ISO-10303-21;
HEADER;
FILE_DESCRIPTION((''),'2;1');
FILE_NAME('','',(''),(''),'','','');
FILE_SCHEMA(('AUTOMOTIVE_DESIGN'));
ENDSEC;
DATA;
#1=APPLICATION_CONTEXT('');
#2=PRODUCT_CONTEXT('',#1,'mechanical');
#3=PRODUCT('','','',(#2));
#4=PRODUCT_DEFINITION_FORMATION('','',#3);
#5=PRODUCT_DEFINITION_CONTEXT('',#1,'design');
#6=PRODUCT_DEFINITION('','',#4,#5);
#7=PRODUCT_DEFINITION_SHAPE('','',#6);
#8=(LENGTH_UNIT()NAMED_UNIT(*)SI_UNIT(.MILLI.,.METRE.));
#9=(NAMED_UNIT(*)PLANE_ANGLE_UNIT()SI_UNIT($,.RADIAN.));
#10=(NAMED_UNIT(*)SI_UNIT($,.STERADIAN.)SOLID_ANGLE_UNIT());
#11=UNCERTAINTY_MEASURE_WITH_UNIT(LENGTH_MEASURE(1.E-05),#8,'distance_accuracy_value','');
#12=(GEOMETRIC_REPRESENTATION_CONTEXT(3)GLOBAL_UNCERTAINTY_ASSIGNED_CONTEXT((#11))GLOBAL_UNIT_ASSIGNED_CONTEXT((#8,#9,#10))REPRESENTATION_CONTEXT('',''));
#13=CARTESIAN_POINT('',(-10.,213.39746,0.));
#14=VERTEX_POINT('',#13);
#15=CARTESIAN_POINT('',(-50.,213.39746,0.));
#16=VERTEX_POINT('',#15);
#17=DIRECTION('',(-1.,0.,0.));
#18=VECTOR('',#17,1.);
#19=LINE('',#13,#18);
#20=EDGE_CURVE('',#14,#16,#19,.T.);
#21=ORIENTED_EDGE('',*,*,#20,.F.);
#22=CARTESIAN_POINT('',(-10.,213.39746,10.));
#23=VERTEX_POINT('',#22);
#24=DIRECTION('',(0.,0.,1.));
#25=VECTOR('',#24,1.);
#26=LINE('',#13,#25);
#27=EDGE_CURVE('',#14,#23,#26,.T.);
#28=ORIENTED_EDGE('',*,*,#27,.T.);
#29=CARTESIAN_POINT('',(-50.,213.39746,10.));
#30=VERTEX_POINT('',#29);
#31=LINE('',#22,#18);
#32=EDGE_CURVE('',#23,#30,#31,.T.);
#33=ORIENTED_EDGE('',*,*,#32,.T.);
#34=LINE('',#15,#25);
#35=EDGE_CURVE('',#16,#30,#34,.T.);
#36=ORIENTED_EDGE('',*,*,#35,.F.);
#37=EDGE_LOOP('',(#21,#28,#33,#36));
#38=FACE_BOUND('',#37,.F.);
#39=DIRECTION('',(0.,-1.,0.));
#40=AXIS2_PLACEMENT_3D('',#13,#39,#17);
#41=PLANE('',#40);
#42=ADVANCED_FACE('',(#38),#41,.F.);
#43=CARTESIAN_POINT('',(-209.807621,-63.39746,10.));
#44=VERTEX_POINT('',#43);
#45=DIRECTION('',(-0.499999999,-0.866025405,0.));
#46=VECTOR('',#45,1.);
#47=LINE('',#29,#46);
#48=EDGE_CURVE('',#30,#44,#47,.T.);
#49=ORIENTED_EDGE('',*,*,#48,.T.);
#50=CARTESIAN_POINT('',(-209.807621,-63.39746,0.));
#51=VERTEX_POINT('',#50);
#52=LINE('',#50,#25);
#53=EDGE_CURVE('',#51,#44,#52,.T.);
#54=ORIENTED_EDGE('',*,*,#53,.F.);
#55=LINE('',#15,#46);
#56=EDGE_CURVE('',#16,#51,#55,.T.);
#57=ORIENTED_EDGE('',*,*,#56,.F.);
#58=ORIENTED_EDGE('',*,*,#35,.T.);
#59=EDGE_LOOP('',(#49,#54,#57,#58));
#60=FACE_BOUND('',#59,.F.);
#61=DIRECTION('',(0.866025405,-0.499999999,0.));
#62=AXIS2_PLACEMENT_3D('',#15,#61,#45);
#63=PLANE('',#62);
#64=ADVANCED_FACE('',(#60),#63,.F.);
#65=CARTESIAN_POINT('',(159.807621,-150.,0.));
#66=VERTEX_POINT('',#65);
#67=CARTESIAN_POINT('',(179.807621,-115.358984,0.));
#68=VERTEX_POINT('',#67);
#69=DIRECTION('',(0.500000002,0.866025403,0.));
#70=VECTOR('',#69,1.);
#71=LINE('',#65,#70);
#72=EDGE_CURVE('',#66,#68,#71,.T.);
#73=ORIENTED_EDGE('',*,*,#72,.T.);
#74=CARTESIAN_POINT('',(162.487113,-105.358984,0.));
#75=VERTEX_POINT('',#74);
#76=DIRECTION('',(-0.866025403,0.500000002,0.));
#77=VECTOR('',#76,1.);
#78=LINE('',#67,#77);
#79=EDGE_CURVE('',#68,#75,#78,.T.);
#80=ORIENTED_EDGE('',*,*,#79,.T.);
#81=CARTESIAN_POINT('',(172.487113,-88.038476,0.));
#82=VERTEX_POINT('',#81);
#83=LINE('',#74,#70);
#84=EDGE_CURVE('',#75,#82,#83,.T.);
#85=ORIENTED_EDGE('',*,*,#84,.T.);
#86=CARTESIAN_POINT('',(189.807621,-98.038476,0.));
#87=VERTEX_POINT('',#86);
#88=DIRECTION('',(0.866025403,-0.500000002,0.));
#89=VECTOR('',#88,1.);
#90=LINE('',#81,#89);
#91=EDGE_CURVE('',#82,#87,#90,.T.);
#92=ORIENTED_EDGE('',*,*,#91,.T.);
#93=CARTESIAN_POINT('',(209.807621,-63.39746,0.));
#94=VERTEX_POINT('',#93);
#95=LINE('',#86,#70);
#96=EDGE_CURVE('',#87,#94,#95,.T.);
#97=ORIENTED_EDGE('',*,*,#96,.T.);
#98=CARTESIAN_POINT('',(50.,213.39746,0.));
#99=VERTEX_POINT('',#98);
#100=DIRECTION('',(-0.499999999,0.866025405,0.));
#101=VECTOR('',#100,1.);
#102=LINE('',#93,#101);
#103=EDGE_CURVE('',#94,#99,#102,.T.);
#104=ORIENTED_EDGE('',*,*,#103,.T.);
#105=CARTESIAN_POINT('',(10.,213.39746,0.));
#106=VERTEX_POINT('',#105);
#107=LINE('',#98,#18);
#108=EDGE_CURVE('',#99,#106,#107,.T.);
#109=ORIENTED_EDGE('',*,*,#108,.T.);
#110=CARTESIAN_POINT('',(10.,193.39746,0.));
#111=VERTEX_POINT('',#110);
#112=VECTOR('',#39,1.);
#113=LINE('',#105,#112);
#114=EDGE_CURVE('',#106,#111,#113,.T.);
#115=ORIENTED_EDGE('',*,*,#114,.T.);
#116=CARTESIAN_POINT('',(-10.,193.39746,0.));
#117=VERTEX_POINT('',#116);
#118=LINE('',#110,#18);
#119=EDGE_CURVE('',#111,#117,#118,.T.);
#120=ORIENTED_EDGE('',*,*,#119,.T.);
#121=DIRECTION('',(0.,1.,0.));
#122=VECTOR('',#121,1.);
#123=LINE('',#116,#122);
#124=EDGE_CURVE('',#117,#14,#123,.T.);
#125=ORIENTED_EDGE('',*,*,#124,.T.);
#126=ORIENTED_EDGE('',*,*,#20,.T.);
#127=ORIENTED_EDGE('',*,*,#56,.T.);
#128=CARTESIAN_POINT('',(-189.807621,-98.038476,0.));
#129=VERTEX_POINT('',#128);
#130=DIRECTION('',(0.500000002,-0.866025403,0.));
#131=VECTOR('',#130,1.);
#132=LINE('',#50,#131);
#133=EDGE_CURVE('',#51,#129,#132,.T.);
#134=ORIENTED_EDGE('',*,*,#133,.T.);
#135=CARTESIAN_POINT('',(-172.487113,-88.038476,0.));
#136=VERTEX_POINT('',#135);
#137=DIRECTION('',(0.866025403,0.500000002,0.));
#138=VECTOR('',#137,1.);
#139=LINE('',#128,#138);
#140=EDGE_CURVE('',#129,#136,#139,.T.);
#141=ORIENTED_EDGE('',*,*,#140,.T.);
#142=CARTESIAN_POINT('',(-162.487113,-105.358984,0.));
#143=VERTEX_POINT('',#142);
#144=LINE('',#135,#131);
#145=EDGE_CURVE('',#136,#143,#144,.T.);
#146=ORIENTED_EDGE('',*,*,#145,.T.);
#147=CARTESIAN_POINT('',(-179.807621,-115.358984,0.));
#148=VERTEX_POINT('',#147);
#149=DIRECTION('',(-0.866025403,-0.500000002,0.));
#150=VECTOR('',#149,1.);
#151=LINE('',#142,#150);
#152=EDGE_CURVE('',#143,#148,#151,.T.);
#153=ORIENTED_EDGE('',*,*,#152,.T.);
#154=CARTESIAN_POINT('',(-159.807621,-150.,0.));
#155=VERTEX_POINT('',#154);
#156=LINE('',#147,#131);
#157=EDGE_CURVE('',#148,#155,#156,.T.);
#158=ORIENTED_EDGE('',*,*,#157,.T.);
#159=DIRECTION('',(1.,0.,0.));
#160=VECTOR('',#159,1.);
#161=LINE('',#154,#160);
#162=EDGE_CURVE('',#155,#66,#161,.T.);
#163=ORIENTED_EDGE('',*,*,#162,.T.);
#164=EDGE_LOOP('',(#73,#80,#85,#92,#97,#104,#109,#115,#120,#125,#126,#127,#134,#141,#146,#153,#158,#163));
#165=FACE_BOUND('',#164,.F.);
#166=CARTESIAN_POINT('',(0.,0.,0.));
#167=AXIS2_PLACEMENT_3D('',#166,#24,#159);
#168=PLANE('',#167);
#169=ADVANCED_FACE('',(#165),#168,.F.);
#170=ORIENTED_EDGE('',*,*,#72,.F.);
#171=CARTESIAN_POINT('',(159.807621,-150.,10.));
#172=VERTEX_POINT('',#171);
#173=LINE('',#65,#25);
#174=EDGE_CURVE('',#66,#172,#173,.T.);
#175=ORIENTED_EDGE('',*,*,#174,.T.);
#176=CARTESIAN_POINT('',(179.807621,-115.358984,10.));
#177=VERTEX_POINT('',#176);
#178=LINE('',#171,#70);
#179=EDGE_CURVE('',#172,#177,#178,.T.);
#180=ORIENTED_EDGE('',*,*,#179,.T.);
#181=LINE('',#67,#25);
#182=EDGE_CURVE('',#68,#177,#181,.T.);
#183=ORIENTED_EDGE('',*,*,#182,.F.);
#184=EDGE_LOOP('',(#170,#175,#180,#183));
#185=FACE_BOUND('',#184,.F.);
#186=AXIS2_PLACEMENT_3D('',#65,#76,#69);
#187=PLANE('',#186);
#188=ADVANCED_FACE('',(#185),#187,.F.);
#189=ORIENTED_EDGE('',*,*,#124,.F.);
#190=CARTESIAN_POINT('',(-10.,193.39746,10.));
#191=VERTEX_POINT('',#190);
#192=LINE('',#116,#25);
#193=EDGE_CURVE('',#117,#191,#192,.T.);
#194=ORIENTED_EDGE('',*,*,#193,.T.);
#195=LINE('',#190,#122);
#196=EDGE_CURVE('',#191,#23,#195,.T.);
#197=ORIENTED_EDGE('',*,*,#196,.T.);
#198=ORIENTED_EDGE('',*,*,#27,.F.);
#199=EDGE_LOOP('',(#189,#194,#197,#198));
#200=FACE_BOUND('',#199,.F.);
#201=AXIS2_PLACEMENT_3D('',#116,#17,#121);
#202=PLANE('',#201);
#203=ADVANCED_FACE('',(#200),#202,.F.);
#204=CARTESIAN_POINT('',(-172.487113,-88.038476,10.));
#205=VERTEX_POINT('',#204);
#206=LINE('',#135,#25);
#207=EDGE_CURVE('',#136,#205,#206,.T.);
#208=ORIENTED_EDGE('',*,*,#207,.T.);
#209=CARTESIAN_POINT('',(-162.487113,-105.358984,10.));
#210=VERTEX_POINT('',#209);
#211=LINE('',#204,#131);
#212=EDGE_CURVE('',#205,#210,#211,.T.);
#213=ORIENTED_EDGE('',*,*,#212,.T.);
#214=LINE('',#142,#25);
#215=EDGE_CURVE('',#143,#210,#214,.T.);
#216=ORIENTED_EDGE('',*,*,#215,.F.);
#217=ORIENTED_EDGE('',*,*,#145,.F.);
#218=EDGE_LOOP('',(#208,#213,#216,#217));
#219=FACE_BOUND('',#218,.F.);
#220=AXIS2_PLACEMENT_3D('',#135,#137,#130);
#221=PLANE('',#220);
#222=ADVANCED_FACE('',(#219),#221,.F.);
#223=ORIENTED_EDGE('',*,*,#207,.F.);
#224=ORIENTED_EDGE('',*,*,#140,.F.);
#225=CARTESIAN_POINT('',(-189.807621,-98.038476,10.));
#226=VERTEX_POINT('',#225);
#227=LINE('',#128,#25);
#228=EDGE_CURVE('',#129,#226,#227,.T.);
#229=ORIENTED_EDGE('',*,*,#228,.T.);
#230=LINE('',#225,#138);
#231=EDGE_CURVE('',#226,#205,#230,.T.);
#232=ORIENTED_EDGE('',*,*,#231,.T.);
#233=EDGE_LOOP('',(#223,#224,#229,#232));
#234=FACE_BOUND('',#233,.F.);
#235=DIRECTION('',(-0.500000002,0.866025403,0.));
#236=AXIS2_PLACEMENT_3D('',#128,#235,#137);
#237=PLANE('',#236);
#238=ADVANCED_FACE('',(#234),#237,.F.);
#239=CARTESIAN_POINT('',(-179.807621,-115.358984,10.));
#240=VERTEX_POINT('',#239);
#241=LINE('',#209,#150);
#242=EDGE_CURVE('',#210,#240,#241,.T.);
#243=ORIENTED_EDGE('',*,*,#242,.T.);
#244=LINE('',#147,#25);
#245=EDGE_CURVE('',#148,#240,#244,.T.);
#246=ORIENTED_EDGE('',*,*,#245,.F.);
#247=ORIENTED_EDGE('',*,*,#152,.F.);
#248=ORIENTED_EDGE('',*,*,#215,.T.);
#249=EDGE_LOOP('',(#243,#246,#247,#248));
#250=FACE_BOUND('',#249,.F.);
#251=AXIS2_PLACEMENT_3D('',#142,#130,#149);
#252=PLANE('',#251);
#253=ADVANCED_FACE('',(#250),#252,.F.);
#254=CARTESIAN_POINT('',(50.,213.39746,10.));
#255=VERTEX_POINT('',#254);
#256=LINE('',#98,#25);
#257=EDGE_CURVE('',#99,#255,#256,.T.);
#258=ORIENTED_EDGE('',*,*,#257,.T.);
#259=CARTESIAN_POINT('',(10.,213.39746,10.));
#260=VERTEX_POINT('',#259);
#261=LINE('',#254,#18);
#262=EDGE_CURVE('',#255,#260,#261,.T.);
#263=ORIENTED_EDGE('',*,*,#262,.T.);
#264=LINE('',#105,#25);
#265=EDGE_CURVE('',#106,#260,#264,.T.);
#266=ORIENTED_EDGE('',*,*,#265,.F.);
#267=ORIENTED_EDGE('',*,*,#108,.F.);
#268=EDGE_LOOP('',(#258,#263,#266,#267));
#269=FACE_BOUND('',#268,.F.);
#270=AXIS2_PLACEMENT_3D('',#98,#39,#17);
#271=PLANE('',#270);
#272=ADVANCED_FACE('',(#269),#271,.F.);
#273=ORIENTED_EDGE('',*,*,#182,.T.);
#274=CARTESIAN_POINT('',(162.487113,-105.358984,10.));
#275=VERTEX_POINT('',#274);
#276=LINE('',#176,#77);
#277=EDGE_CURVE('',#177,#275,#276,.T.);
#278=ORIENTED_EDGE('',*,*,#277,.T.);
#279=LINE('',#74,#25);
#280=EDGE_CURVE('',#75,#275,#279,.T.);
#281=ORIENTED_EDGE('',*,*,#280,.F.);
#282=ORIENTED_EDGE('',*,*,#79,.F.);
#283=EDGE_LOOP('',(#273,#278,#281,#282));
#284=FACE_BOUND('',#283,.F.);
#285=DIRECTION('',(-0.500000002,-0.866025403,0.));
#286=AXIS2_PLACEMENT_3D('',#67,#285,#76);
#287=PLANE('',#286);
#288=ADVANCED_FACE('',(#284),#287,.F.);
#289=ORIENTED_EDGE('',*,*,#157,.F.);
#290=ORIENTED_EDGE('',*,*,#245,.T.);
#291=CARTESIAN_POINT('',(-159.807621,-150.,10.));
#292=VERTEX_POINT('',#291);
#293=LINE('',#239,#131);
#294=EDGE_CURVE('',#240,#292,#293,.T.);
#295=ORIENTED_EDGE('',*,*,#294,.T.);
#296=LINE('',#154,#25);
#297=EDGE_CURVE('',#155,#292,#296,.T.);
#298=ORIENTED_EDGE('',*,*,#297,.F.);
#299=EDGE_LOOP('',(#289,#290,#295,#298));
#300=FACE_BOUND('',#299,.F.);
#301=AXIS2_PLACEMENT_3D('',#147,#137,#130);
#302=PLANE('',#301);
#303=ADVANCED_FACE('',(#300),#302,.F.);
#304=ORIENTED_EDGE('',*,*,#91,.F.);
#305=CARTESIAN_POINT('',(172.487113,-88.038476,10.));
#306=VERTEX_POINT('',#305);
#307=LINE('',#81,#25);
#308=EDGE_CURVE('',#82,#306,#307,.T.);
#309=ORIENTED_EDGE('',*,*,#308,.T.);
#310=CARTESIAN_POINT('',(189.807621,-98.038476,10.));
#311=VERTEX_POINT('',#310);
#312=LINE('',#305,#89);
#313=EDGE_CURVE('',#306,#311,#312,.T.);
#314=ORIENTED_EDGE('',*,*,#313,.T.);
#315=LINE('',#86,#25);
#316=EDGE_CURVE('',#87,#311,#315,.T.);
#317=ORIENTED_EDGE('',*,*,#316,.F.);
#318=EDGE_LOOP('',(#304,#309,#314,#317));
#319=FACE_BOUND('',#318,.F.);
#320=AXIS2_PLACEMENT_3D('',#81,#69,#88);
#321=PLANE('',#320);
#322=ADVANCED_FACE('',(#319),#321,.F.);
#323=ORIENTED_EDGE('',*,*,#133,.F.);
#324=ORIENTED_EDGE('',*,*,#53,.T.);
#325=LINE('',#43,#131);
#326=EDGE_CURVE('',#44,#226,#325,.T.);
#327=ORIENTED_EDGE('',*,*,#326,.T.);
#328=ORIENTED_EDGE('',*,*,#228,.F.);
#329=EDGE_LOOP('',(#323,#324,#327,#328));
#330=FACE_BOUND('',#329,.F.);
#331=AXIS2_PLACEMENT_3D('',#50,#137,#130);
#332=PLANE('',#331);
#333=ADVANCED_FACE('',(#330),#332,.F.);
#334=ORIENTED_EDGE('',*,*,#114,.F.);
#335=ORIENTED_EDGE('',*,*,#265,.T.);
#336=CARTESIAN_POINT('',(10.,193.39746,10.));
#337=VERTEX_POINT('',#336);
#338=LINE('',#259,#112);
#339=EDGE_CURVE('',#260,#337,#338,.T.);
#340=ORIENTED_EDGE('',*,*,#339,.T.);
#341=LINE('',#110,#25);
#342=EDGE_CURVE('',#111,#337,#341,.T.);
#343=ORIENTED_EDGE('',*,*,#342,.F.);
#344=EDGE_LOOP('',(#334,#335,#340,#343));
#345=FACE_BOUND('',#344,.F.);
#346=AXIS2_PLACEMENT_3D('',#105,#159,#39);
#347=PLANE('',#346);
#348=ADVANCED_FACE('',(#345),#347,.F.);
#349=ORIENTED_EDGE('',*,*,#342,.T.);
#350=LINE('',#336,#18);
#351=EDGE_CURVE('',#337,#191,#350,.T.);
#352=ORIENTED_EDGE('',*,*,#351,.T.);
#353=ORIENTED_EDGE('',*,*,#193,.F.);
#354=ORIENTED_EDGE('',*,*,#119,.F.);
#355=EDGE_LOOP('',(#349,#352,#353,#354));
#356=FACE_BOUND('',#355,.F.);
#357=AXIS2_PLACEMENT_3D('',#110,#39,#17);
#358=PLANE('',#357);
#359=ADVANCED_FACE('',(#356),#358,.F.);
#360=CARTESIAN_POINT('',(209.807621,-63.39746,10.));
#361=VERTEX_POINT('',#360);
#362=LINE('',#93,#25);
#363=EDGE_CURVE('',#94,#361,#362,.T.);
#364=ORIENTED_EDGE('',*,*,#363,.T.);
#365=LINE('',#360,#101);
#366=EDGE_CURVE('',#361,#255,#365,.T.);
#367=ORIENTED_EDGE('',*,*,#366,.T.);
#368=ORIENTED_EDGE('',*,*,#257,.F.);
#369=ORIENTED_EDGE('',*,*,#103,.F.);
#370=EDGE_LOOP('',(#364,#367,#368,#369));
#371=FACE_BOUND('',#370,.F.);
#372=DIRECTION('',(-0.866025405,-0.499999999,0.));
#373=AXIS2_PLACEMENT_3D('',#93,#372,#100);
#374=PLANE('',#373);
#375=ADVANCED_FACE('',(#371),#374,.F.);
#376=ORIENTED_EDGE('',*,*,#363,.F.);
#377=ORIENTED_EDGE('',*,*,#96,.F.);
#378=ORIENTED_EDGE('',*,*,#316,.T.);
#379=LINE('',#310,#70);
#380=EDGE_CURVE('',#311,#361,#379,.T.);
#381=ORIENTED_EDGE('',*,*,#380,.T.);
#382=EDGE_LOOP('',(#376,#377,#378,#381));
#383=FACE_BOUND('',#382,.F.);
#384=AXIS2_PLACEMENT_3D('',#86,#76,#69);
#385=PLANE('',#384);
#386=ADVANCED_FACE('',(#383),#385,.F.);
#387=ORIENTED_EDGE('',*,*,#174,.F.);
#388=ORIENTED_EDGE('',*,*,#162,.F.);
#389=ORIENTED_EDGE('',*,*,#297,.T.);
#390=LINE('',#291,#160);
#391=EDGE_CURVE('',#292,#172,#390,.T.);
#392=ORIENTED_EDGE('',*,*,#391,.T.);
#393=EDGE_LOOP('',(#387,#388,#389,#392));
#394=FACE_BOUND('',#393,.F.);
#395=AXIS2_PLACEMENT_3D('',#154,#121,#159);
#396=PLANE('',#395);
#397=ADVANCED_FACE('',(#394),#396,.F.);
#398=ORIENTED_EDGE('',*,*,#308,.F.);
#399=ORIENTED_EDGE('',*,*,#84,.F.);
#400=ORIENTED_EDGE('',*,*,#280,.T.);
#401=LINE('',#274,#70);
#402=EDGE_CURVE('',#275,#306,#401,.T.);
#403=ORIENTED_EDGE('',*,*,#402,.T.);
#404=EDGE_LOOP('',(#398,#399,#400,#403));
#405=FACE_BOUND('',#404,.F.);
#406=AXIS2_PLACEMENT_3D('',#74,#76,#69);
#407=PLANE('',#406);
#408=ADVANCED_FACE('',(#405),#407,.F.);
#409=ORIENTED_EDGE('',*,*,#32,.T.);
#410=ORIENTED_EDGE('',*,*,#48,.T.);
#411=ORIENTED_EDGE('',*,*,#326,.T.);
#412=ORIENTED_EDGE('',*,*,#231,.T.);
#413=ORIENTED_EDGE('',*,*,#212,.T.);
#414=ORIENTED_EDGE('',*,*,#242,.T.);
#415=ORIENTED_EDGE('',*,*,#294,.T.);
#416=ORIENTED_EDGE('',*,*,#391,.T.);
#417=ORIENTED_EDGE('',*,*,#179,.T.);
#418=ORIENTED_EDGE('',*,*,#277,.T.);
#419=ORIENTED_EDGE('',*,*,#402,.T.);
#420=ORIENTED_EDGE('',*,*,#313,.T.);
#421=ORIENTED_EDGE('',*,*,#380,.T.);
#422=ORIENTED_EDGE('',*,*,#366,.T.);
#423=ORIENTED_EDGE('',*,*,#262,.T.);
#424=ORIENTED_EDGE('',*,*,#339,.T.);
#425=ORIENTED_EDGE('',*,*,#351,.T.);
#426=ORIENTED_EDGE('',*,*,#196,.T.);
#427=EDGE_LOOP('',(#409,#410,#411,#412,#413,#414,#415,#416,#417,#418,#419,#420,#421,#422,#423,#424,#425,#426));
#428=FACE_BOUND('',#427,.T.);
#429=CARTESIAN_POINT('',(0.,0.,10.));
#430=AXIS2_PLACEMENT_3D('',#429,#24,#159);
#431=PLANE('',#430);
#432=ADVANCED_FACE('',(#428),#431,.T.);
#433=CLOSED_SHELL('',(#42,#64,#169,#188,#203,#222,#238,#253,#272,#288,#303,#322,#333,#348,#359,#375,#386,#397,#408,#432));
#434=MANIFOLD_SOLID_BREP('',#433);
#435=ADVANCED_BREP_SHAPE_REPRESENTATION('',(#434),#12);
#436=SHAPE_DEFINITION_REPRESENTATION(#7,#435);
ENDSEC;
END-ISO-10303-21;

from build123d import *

# Parameters (mm, degrees)
F1_DEPTH = 10


with BuildPart() as f1:
    # F0 (on Top) → F1 (new body)
    with BuildSketch(Plane.XY):
        Polygon((-10, 213.39746), (-50, 213.39746), (-209.807621, -63.39746), (-189.807621, -98.038476), (-172.487113, -88.038476), (-167.487113, -96.69873), (-162.487113, -105.358984), (-179.807621, -115.358984), (-159.807621, -150), (159.807621, -150), (179.807621, -115.358984), (162.487113, -105.358984), (167.487113, -96.69873), (172.487113, -88.038476), (189.807621, -98.038476), (209.807621, -63.39746), (50, 213.39746), (10, 213.39746), (10, 193.39746), (0, 193.39746), (-10, 193.39746), align=None)
    extrude(amount=F1_DEPTH)


solid = f1.part
